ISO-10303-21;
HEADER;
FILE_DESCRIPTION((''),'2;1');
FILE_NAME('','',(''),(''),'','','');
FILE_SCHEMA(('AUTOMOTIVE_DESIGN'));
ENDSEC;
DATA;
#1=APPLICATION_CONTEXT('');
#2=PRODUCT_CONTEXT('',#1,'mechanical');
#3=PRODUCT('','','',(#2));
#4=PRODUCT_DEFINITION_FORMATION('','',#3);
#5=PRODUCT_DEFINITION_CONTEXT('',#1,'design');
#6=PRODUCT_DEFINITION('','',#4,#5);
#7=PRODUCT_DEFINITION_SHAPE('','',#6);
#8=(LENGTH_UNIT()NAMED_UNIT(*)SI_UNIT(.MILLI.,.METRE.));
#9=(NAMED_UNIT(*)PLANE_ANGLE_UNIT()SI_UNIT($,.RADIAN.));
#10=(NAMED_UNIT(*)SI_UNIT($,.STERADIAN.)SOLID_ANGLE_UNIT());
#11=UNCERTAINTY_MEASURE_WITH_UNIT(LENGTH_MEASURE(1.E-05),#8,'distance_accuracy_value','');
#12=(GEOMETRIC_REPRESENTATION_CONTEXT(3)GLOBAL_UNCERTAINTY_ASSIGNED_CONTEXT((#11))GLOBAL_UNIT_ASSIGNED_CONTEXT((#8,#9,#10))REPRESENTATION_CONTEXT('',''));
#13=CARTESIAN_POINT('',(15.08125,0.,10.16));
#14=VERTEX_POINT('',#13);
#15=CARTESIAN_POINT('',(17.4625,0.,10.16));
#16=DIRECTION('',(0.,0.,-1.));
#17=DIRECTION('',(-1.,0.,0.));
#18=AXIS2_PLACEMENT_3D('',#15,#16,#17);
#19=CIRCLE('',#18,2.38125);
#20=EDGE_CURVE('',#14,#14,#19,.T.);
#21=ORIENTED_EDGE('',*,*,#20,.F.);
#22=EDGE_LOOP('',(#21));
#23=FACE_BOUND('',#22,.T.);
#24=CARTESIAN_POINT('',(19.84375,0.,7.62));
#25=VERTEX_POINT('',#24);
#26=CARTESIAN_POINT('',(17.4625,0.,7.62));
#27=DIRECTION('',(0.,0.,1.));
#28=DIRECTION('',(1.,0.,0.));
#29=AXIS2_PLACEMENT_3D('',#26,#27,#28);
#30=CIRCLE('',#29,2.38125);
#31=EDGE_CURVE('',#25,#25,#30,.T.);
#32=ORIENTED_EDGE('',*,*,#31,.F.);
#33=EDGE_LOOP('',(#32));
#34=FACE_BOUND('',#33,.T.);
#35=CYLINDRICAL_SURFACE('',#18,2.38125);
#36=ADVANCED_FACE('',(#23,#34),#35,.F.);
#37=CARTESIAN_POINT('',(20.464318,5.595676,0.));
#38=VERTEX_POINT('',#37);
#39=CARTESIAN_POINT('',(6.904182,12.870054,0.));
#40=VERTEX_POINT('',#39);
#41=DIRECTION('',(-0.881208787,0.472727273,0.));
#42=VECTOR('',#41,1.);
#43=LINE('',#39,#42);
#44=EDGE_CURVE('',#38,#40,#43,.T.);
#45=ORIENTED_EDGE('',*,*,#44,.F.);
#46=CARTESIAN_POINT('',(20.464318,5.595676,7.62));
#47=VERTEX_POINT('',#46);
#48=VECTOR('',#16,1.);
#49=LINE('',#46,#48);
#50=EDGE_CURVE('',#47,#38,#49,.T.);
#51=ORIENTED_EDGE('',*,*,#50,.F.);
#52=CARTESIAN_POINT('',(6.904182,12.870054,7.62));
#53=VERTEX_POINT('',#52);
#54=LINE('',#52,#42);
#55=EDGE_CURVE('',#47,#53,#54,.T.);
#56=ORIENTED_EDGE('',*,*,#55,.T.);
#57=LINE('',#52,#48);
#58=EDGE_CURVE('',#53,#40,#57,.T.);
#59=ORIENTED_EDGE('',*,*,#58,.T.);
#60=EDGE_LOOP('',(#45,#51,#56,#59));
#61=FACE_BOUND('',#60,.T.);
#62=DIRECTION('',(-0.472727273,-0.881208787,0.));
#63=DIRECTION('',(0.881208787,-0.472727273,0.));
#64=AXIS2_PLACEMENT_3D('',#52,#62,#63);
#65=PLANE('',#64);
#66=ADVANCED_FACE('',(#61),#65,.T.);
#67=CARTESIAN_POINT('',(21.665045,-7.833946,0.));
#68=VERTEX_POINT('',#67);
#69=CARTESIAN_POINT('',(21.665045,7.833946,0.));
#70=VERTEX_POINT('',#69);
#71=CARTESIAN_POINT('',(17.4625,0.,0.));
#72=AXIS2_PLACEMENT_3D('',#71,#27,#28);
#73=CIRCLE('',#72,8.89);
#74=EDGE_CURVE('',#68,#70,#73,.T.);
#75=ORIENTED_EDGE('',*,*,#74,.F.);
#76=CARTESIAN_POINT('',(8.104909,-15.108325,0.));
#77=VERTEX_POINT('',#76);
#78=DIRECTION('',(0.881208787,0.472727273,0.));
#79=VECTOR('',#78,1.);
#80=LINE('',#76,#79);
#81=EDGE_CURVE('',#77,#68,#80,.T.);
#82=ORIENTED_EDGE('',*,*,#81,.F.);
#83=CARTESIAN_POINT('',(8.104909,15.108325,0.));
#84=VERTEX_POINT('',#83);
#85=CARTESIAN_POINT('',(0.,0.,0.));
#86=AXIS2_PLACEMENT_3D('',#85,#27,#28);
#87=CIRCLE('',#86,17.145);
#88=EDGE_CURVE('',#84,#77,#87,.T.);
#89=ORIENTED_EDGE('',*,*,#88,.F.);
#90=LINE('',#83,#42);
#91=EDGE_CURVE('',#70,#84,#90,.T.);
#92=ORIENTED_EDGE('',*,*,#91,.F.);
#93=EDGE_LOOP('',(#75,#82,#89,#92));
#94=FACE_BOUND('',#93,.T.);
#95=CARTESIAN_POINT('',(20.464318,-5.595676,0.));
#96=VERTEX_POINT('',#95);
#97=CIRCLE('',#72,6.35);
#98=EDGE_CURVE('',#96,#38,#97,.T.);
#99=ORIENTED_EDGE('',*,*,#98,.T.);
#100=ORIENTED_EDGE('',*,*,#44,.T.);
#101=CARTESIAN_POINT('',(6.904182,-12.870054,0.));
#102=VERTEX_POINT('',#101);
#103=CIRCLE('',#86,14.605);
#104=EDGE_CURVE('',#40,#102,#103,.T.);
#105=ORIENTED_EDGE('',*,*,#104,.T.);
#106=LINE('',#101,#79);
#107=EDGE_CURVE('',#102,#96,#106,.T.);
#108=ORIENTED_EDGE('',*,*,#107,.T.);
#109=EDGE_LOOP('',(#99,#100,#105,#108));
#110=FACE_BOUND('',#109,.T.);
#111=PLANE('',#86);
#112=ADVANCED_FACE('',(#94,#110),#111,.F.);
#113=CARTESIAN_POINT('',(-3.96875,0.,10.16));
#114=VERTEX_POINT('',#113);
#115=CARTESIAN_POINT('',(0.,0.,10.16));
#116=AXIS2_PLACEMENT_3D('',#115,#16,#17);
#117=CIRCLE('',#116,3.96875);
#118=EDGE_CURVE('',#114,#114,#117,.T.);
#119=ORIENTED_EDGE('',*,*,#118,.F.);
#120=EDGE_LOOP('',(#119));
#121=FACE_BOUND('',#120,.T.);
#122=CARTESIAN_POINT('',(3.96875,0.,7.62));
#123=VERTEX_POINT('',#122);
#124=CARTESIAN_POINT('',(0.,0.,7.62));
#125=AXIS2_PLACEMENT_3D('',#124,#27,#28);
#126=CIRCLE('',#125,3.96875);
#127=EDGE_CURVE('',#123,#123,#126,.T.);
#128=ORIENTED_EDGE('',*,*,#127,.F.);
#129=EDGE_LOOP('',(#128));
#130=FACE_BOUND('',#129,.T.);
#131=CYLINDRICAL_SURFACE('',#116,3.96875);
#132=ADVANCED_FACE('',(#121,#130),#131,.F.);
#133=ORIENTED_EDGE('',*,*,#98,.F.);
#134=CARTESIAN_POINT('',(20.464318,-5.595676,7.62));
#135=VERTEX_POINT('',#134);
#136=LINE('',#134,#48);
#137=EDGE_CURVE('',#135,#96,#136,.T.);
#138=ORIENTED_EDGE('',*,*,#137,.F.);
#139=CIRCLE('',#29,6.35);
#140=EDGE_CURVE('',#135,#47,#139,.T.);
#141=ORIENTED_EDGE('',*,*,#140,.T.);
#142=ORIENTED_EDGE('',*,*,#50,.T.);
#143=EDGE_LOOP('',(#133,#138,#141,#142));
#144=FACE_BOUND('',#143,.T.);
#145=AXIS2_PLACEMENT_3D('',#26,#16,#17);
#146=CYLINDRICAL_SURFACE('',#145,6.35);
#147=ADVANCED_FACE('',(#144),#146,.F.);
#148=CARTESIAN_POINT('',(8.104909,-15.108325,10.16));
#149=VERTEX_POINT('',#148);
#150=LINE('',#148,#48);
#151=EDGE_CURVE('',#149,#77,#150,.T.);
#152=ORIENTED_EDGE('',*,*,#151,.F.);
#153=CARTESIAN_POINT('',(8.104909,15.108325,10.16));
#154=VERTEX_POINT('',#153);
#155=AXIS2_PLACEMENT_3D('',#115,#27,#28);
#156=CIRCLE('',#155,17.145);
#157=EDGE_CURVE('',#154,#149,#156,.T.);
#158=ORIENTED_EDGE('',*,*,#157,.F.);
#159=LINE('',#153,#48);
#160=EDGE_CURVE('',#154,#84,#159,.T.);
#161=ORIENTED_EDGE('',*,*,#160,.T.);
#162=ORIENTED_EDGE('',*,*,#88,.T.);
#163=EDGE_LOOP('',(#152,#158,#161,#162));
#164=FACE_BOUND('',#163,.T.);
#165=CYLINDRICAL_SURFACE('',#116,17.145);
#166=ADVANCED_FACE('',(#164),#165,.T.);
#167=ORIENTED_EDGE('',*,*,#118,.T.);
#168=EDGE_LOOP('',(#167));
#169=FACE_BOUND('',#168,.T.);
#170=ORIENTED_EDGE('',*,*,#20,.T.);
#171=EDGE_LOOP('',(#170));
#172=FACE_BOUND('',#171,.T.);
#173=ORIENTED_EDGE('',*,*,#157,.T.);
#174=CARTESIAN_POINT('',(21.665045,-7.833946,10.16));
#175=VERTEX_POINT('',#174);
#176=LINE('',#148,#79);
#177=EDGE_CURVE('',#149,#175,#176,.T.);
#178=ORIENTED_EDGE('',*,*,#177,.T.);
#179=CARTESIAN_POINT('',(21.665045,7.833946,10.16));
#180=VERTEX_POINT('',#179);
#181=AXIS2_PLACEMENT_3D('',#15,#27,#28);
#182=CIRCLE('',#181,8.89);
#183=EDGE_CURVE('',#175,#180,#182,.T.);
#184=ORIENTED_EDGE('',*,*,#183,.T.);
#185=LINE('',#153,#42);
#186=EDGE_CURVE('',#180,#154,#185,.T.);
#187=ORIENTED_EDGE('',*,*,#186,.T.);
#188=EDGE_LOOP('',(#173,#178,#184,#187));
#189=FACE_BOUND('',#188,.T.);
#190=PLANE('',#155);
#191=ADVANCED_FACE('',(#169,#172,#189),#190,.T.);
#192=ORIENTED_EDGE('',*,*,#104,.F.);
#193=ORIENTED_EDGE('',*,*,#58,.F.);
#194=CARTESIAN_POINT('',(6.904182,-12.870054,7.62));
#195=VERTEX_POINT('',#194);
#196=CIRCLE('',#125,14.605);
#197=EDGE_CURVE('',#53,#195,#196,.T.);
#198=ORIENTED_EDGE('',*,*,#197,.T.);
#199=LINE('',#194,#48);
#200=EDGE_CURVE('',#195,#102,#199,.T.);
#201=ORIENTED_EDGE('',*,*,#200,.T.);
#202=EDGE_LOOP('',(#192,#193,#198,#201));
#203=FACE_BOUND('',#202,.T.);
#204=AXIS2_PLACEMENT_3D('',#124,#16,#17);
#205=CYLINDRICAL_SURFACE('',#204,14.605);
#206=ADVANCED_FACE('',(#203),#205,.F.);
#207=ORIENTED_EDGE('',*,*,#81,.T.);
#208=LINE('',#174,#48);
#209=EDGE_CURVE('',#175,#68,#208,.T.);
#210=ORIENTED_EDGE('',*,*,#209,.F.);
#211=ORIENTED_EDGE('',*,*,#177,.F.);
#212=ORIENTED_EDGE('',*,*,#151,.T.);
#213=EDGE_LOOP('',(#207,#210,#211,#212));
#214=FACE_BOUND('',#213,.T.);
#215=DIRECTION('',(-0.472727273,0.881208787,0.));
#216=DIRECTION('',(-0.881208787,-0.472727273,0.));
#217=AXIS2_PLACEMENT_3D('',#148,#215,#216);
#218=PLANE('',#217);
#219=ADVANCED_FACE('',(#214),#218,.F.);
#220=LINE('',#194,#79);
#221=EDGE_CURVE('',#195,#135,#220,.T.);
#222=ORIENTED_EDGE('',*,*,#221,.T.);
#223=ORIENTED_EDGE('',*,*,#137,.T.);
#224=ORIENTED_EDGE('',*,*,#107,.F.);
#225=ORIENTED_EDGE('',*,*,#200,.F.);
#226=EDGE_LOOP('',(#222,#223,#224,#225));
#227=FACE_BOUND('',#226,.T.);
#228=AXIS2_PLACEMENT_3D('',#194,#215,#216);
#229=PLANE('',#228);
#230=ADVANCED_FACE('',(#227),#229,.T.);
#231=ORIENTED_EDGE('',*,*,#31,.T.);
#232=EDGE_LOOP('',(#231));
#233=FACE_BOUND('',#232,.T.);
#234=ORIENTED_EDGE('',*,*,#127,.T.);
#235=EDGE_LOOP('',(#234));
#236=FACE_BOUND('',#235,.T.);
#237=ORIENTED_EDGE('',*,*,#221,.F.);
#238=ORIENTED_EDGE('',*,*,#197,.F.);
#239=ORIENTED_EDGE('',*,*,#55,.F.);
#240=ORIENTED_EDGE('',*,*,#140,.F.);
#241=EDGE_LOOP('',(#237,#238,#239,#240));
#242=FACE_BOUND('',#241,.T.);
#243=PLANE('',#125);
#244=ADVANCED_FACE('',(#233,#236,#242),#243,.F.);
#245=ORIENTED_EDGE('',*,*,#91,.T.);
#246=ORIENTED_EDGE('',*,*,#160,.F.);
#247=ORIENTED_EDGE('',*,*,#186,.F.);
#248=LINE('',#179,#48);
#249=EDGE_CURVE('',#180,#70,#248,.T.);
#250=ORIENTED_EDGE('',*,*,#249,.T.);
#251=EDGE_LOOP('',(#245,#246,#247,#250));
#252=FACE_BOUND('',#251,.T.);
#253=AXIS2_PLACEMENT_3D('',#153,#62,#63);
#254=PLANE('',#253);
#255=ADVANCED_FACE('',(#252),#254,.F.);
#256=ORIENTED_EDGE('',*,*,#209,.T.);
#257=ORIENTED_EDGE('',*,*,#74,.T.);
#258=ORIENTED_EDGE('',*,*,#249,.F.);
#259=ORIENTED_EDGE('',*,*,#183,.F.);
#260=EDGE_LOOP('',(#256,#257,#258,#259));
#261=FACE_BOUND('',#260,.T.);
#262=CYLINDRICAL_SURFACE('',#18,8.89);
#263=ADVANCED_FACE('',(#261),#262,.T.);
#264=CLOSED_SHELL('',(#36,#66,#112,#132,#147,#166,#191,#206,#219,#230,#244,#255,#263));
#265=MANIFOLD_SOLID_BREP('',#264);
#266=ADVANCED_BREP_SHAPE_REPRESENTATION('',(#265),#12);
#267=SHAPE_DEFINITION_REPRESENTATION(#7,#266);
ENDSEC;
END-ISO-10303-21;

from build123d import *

# Parameters (mm, degrees)
BOSS_EXTRUDE1_DEPTH     = 10.16
CUT_EXTRUDE1_DEPTH      = 7.62
CUT_EXTRUDE2_DEPTH      = 33.349183626
CUT_EXTRUDE2_DEPTH_BACK = 33.349183626
SKETCH3_R               = 3.96875
SKETCH3_R_2             = 2.38125


with BuildPart() as part:
    # Sketch1 → Boss-Extrude1 (new body)
    with BuildSketch(Plane.XY):
        with BuildLine():
            Line((8.104909091, 15.108324647), (21.665045455, 7.833946113))
            ThreePointArc((21.665045455, 7.833946113), (26.3525, 0), (21.665045455, -7.833946113))
            Line((21.665045455, -7.833946113), (8.104909091, -15.108324647))
            ThreePointArc((8.104909091, -15.108324647), (-17.145, 0), (8.104909091, 15.108324647))
        make_face()
    extrude(amount=BOSS_EXTRUDE1_DEPTH)

    # Sketch2 → Cut-Extrude1 (cut)
    with BuildSketch(Plane.XY):
        with BuildLine():
            Line((6.904181818, 12.870054329), (20.464318182, 5.595675795))
            ThreePointArc((20.464318182, 5.595675795), (23.8125, 0), (20.464318182, -5.595675795))
            Line((20.464318182, -5.595675795), (6.904181818, -12.870054329))
            ThreePointArc((6.904181818, -12.870054329), (-14.605, 0), (6.904181818, 12.870054329))
        make_face()
    extrude(amount=CUT_EXTRUDE1_DEPTH, mode=Mode.SUBTRACT)

    # Sketch3 → Cut-Extrude2 (cut, two sides: drawn at the far end of the back side and taken through both)
    with BuildSketch(Plane(origin=(0, 0, 7.62), x_dir=(-1, 0, 0), z_dir=(0, 0, -1)).offset(-CUT_EXTRUDE2_DEPTH_BACK)):
        Circle(SKETCH3_R)
        with Locations((-17.4625, 0)):
            Circle(SKETCH3_R_2)
    extrude(amount=CUT_EXTRUDE2_DEPTH + CUT_EXTRUDE2_DEPTH_BACK, mode=Mode.SUBTRACT)


solid = part.part
